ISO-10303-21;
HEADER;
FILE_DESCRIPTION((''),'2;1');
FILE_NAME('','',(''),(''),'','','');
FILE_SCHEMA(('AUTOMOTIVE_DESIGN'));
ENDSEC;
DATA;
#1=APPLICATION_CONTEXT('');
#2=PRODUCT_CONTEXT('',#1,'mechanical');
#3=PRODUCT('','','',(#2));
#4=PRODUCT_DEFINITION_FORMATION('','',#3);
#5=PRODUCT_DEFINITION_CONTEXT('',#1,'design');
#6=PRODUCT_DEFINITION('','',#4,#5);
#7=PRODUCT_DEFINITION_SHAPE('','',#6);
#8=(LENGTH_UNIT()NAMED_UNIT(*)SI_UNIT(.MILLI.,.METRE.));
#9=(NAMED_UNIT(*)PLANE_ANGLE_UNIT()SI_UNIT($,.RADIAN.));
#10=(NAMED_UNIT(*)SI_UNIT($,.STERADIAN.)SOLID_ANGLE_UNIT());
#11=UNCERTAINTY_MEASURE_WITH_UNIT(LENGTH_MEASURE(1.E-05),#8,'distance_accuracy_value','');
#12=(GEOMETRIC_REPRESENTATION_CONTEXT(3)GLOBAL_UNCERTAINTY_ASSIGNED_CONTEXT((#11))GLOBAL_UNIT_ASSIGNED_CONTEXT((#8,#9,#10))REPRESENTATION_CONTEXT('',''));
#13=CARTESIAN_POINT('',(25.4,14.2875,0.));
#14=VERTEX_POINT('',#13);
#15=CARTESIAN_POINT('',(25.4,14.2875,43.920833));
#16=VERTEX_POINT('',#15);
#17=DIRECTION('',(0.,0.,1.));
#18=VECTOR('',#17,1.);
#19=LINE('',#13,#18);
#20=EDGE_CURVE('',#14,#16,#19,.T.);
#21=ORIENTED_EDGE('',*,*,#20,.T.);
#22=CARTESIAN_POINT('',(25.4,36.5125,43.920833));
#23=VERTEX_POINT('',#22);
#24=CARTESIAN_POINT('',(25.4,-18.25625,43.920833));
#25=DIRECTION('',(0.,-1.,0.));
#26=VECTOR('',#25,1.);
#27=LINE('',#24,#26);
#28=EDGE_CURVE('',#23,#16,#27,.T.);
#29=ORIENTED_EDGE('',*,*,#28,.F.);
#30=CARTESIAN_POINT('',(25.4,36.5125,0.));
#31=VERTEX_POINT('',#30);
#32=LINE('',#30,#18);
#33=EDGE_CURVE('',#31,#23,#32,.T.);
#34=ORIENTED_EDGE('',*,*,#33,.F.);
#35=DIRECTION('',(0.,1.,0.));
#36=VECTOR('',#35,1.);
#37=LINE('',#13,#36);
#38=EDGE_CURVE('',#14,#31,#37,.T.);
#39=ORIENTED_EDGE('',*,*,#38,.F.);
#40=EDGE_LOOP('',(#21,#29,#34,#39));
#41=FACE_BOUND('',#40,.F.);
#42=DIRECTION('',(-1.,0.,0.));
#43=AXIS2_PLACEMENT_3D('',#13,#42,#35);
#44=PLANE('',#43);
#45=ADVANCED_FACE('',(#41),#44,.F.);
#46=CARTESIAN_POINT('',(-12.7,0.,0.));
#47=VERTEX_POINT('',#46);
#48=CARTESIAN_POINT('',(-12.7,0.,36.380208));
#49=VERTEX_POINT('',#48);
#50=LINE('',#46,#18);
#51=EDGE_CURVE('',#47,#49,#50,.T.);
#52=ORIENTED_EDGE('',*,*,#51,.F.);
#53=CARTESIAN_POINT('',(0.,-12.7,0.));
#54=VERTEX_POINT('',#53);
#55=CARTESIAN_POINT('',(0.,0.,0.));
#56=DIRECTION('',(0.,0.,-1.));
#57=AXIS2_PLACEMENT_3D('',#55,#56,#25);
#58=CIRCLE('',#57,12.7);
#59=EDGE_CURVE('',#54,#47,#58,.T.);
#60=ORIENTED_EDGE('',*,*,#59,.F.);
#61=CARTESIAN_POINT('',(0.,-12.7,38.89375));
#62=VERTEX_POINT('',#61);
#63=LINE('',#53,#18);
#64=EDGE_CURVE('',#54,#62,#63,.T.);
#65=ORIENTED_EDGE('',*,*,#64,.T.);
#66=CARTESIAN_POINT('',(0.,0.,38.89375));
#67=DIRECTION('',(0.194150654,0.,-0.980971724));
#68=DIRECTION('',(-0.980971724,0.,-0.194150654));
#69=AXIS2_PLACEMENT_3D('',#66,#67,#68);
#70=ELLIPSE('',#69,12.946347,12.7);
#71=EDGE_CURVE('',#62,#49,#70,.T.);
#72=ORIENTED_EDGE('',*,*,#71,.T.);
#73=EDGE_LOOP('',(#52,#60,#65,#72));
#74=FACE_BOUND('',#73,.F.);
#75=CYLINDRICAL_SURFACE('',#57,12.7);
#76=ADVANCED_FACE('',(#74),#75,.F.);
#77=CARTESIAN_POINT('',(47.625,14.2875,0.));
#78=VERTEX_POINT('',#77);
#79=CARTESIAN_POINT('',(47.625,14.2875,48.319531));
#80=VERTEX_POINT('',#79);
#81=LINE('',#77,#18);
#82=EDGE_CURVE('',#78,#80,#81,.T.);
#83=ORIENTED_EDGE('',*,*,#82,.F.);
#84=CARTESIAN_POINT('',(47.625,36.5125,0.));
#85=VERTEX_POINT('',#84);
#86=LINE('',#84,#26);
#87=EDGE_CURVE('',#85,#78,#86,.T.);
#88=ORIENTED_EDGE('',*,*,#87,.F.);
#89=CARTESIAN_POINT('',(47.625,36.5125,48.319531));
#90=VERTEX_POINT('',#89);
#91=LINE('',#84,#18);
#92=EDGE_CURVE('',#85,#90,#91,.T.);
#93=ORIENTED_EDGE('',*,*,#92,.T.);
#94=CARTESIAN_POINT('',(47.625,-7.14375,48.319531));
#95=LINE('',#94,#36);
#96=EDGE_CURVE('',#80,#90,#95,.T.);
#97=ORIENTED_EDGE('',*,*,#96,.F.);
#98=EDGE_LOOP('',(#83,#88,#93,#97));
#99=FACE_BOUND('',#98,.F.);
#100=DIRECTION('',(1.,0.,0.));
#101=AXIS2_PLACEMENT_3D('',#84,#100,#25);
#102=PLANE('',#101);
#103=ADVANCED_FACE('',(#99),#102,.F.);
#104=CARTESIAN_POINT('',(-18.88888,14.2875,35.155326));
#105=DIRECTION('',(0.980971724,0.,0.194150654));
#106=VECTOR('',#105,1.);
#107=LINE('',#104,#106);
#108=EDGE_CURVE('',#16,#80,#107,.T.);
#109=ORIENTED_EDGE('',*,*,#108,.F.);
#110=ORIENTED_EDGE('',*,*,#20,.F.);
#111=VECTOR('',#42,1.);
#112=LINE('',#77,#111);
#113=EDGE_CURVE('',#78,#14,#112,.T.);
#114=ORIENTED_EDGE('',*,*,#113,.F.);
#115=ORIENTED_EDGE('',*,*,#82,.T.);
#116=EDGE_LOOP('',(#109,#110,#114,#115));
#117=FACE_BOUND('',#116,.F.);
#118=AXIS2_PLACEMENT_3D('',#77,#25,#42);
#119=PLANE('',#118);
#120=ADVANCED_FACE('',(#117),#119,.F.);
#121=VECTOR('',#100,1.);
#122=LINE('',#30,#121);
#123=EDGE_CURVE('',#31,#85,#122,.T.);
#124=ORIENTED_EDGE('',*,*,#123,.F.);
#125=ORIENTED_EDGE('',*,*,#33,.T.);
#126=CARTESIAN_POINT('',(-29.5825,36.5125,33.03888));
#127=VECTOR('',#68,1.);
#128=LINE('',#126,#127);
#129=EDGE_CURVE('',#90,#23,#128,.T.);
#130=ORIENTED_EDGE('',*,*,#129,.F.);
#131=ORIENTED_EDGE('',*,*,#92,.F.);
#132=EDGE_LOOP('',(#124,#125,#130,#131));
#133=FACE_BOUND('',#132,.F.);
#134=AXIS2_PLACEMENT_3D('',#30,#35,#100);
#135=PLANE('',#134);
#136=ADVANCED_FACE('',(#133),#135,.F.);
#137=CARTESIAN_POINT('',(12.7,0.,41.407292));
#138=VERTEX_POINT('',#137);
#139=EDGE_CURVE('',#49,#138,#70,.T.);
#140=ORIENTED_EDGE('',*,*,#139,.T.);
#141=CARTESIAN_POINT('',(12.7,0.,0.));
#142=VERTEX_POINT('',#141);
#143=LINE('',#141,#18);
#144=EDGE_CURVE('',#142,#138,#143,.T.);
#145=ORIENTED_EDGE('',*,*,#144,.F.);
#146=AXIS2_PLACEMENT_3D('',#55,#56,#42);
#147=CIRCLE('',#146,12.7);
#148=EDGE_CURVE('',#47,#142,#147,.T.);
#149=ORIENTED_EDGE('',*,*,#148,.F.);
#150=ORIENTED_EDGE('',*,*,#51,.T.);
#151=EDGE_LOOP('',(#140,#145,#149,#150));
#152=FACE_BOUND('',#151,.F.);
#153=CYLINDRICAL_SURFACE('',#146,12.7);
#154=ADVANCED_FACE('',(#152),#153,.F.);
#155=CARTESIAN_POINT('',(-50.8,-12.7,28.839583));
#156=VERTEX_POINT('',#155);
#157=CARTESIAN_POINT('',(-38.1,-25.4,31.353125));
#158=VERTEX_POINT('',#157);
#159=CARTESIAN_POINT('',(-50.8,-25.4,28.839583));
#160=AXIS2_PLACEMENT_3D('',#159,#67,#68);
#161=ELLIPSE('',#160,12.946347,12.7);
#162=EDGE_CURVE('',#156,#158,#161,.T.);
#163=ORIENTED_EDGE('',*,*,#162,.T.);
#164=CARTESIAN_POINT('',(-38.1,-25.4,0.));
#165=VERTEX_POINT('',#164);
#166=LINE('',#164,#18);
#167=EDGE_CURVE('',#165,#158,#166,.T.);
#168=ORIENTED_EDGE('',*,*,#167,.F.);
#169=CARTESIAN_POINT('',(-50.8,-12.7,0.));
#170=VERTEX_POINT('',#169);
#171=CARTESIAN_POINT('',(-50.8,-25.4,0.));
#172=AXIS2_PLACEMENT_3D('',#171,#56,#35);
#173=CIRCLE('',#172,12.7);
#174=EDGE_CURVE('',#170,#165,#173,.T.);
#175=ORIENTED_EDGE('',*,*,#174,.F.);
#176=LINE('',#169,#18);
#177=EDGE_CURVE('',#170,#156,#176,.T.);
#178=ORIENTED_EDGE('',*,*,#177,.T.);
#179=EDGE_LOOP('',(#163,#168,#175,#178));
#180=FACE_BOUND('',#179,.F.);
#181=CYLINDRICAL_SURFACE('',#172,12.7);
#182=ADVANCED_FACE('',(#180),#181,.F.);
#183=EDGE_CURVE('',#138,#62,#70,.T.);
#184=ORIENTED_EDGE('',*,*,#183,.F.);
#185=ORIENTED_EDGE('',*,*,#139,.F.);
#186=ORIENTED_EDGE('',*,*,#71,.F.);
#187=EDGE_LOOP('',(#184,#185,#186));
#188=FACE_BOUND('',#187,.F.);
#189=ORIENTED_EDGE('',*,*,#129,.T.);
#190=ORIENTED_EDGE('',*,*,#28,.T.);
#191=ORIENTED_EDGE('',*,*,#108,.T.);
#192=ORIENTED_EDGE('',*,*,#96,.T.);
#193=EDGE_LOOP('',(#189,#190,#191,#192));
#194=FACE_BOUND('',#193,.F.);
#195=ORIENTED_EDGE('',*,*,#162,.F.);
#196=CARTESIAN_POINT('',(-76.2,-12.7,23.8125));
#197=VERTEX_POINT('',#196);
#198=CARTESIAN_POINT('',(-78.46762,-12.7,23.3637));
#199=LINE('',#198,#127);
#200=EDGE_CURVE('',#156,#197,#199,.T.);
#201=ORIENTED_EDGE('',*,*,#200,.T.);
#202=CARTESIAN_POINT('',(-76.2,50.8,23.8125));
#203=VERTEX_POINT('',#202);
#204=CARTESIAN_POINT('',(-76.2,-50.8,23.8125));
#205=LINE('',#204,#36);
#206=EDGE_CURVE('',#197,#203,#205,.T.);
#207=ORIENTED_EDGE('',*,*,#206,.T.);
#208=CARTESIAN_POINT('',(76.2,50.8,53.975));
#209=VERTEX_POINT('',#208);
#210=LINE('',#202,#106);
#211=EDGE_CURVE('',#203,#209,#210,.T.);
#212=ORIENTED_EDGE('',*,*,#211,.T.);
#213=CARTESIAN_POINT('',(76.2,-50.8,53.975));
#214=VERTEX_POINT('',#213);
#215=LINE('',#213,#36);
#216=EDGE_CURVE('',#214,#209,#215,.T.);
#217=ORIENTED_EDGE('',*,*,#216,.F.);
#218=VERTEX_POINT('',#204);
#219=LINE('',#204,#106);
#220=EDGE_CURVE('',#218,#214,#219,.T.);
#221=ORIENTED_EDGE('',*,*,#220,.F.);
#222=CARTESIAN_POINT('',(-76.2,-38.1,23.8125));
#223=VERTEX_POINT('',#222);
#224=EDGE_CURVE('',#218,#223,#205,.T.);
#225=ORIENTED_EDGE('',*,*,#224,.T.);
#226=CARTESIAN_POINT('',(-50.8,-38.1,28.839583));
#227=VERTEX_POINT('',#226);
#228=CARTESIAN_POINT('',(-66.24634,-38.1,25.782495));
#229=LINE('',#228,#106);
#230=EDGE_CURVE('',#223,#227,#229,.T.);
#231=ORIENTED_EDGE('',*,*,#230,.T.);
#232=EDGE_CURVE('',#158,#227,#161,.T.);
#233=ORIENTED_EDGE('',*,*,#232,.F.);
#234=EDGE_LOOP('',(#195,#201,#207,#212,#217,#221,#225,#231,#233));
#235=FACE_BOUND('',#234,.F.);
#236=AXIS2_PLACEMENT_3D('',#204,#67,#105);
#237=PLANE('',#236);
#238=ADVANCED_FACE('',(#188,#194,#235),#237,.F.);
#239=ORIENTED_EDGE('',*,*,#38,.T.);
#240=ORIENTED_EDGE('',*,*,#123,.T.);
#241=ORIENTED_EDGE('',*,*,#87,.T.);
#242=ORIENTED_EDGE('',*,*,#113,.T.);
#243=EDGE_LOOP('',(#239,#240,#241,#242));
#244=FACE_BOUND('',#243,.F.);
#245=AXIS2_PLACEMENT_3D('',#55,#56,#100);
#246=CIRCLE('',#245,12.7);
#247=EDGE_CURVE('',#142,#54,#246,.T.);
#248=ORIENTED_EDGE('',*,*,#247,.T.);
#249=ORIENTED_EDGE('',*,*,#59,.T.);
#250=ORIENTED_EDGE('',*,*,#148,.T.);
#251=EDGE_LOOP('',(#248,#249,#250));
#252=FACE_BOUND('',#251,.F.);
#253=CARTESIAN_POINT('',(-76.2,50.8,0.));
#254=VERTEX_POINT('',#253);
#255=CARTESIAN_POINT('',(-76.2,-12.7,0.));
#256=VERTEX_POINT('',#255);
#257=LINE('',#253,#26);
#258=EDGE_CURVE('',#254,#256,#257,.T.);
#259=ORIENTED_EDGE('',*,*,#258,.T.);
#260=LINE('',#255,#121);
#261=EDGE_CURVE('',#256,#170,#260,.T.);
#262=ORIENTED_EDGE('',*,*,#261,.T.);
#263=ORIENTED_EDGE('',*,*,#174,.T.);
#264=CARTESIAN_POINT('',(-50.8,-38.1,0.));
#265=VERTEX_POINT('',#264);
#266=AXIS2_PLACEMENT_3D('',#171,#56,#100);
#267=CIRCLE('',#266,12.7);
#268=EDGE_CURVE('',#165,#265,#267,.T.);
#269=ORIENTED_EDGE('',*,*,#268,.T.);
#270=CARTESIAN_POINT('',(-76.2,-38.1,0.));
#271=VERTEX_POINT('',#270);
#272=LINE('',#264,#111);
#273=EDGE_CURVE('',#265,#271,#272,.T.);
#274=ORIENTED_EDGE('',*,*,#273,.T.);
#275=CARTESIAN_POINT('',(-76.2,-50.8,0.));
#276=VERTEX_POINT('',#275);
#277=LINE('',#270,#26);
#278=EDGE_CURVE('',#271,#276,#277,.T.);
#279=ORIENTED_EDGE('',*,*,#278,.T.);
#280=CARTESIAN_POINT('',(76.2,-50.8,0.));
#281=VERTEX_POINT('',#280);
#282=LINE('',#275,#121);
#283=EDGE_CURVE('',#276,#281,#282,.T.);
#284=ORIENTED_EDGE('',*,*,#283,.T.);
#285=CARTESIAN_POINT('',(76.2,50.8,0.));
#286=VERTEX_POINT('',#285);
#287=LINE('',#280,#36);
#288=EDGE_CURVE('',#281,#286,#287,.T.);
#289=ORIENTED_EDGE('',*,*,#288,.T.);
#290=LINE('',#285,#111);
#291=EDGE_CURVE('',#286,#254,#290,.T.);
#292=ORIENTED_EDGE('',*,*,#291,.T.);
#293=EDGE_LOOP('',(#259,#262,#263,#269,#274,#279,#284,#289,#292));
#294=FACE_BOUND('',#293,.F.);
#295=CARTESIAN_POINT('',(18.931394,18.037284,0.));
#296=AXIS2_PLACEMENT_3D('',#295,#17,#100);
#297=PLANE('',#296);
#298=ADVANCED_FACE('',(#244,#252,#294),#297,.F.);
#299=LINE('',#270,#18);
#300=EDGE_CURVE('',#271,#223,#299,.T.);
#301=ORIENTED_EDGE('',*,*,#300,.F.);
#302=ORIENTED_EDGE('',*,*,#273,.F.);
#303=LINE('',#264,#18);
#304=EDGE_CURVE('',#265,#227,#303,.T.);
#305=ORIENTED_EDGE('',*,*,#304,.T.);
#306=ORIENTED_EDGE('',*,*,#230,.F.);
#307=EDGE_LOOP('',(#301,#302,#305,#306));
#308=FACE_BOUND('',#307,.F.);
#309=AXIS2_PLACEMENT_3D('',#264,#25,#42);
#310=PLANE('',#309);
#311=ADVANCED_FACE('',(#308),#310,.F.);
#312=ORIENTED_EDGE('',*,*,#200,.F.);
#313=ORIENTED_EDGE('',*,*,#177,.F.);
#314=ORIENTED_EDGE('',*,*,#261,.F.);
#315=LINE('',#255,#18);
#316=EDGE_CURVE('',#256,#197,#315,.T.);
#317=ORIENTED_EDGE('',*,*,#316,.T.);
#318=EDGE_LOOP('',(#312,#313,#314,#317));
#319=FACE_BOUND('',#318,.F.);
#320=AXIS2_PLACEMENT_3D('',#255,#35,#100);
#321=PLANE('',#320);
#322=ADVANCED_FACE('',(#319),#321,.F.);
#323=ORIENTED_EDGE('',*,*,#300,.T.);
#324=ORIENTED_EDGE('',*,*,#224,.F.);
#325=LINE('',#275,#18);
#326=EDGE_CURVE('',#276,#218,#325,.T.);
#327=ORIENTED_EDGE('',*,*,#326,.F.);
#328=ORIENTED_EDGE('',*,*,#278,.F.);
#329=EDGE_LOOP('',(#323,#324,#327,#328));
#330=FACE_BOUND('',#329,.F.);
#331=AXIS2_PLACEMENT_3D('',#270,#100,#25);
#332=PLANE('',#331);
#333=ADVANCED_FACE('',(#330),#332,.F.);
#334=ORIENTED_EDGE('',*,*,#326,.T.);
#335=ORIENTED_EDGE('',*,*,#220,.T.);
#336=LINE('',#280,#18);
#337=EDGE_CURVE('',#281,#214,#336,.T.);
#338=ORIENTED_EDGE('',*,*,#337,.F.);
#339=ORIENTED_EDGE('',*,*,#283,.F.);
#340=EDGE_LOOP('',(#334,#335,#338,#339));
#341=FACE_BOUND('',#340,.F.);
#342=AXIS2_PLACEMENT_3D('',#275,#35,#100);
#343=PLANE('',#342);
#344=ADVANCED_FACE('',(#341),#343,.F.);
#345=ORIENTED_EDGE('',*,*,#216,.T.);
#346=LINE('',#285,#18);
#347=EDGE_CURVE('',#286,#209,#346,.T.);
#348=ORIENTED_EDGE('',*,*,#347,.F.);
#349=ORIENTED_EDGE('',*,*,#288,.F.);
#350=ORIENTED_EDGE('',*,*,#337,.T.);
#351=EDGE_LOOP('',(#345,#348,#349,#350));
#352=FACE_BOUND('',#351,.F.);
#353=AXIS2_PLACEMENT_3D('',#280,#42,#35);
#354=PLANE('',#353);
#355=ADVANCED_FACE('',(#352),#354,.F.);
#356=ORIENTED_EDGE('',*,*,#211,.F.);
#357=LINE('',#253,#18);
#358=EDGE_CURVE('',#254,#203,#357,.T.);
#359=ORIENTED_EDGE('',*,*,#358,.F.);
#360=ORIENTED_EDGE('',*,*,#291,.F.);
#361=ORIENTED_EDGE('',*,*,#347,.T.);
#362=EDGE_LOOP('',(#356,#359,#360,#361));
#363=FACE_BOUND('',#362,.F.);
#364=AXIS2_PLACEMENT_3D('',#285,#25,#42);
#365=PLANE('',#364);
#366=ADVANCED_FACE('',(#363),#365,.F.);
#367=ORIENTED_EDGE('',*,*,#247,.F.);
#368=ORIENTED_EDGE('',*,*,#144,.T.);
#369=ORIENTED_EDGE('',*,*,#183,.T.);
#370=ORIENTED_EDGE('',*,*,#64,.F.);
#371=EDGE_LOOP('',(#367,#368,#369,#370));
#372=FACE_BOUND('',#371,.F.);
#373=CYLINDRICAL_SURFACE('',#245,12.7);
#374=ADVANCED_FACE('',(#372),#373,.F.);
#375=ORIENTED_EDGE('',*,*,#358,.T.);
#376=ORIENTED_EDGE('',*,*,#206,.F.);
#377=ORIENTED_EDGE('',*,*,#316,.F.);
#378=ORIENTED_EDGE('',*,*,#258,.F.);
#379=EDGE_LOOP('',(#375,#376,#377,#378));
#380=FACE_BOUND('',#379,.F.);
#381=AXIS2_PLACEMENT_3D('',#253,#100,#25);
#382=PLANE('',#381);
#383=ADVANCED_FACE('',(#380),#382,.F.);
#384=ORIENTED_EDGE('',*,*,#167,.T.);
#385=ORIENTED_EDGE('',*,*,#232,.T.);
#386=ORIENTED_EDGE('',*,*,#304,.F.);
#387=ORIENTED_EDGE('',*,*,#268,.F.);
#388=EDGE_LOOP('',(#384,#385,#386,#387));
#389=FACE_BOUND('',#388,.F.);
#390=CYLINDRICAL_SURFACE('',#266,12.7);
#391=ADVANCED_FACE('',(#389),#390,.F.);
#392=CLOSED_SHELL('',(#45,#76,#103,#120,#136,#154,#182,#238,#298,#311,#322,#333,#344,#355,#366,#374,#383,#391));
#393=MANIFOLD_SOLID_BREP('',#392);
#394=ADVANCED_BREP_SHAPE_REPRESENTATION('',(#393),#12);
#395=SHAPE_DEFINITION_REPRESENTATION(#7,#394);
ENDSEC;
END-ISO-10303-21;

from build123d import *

# Parameters (mm, degrees)
F1_DEPTH = 53.975
F3_DEPTH = 101.6


with BuildPart() as f1:
    # F0 (on Top) → F1 (new body)
    with BuildSketch(Plane.XY):
        Polygon((36.5125, -50.8), (76.2, -50.8), (76.2, 50.8), (-76.2, 50.8), (-76.2, 25.4), (25.4, 25.4), (25.4, 36.5125), (47.625, 36.5125), (47.625, 14.2875), (36.5125, 14.2875), align=None)
        with BuildLine():
            Line((-76.2, -50.8), (0, -50.8))
            Line((0, -50.8), (0, -12.7))
            ThreePointArc((0, -12.7), (-8.9802561211, -8.9802561211), (-12.7, 0))
            Line((-12.7, 0), (-76.2, 0))
            Line((-76.2, 0), (-76.2, -12.7))
            Line((-76.2, -12.7), (-50.8, -12.7))
            ThreePointArc((-50.8, -12.7), (-41.8197438789, -16.4197438789), (-38.1, -25.4))
            ThreePointArc((-38.1, -25.4), (-41.8197438789, -34.3802561211), (-50.8, -38.1))
            Line((-50.8, -38.1), (-76.2, -38.1))
            Line((-76.2, -38.1), (-76.2, -50.8))
        make_face()
        with BuildLine():
            Line((0, -50.8), (36.5125, -50.8))
            Line((36.5125, -50.8), (36.5125, 14.2875))
            Line((36.5125, 14.2875), (25.4, 14.2875))
            Line((25.4, 14.2875), (25.4, 25.4))
            Line((25.4, 25.4), (-76.2, 25.4))
            Line((-76.2, 25.4), (-76.2, 0))
            Line((-76.2, 0), (-12.7, 0))
            ThreePointArc((-12.7, 0), (0, 12.7), (12.7, 0))
            ThreePointArc((12.7, 0), (8.9802561211, -8.9802561211), (0, -12.7))
            Line((0, -12.7), (0, -50.8))
        make_face()
    extrude(amount=F1_DEPTH)

    # F2 (on face) → F3 (cut)
    with BuildSketch(Plane.XZ.offset(50.8)):
        Polygon((-76.2, 23.8125), (76.2, 53.975), (-76.2, 53.975), align=None)
    extrude(amount=-F3_DEPTH, mode=Mode.SUBTRACT)


solid = f1.part
